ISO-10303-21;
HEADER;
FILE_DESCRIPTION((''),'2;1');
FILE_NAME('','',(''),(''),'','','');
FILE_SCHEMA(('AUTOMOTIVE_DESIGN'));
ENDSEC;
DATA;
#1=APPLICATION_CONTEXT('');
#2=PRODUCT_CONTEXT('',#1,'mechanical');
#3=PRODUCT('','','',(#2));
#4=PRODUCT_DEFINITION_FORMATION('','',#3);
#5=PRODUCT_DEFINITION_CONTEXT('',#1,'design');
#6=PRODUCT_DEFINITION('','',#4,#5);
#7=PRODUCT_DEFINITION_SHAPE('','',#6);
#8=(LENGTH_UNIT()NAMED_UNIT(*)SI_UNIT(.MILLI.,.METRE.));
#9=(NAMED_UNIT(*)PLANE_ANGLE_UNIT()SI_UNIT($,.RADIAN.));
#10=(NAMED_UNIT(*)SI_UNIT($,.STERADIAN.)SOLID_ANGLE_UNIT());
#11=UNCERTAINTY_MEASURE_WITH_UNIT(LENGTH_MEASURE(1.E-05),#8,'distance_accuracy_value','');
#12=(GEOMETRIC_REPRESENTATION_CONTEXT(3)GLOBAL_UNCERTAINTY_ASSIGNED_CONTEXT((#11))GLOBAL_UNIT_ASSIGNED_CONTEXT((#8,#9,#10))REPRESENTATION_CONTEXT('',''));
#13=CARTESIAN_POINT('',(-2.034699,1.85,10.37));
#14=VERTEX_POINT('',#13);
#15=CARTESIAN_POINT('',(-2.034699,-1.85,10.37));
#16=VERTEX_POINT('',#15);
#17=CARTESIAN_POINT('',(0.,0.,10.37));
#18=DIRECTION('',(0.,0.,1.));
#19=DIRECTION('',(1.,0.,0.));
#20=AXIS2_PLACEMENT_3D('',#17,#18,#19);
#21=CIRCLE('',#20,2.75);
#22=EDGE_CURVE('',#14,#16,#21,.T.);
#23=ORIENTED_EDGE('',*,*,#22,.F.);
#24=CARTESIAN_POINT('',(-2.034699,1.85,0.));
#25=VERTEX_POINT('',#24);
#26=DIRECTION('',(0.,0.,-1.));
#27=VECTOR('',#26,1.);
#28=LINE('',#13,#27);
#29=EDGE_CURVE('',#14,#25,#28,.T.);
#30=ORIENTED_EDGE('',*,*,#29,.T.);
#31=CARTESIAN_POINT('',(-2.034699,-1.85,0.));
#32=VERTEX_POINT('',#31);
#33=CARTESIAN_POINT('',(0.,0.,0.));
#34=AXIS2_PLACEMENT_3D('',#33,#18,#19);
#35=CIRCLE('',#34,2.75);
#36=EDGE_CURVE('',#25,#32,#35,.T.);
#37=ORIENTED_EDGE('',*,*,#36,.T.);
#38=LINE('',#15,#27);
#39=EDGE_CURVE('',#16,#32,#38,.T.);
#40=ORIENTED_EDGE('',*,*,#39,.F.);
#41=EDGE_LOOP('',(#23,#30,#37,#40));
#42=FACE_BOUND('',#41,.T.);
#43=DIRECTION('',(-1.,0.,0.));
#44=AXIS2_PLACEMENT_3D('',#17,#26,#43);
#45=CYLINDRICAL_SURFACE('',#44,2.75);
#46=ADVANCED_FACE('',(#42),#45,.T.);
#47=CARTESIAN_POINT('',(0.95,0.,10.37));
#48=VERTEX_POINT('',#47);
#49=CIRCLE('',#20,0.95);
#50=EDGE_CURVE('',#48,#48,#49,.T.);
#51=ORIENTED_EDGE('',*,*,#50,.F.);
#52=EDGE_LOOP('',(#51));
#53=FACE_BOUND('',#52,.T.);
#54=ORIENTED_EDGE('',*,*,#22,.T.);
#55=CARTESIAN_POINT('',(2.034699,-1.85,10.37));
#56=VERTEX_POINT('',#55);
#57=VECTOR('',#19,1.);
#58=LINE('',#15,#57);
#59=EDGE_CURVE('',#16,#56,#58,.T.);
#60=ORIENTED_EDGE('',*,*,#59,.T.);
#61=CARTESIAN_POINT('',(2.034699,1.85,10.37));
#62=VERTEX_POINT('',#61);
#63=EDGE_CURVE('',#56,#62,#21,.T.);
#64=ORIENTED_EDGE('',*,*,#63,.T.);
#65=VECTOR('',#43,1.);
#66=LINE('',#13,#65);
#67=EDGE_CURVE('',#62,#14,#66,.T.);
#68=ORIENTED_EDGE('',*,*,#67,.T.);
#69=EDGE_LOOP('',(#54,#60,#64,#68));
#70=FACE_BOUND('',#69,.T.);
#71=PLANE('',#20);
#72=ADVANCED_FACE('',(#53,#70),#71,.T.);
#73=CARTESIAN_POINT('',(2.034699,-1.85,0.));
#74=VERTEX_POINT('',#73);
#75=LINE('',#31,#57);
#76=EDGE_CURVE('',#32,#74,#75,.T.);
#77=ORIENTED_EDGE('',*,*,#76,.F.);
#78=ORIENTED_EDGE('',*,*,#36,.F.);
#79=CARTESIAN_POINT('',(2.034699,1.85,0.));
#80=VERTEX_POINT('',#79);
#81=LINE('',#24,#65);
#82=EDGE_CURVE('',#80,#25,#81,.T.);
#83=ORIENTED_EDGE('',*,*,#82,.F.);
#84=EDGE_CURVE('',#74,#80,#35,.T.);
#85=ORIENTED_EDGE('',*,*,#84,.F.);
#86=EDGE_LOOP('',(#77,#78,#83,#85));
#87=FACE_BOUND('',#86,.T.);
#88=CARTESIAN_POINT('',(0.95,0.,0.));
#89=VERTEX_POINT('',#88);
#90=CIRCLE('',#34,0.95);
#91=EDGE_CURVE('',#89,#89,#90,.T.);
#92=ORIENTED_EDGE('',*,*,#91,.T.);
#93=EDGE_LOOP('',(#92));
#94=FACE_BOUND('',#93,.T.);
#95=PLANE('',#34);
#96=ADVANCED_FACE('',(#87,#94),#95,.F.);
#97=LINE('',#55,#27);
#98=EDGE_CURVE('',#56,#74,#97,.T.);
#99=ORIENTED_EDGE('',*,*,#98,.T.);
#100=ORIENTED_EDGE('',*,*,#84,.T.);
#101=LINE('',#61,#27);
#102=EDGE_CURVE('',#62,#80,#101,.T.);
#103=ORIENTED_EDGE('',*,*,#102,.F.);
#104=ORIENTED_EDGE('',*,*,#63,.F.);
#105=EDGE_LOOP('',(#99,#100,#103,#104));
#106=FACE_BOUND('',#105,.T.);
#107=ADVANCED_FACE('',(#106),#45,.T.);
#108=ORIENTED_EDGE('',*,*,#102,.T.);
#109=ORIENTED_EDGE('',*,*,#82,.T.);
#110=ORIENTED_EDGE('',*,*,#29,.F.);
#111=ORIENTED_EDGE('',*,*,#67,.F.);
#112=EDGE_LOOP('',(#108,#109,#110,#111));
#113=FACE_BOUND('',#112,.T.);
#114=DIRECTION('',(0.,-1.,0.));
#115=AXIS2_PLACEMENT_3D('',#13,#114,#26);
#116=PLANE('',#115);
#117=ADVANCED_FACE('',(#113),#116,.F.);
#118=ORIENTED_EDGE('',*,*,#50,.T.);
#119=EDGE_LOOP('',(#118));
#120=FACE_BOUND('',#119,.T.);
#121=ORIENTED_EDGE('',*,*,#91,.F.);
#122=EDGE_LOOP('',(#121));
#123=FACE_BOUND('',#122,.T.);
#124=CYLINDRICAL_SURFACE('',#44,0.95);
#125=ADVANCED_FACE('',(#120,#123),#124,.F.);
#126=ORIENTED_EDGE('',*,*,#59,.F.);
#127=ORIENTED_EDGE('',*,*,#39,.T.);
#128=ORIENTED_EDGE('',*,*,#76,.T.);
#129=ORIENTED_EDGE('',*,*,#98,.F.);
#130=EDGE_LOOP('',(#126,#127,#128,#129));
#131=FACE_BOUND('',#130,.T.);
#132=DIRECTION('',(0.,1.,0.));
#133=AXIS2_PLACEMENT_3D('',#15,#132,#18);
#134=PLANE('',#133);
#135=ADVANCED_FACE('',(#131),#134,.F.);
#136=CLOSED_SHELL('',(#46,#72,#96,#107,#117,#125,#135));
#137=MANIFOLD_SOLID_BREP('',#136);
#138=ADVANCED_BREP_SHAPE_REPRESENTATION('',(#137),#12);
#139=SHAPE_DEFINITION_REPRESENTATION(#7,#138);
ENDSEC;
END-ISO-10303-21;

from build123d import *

# Parameters (mm, degrees)
SKETCH1_R           = 0.95
BOSS_EXTRUDE1_DEPTH = 10.370000088


with BuildPart() as part:
    # Sketch1 → Boss-Extrude1 (new body)
    with BuildSketch(Plane.XY):
        with BuildLine():
            Line((-2.034698995, 1.85), (2.034698995, 1.85))
            ThreePointArc((2.034698995, 1.85), (2.75, 0), (2.034698995, -1.85))
            Line((2.034698995, -1.85), (-2.034698995, -1.85))
            ThreePointArc((-2.034698995, -1.85), (-2.75, 0), (-2.034698995, 1.85))
        make_face()
        Circle(SKETCH1_R, mode=Mode.SUBTRACT)
    extrude(amount=BOSS_EXTRUDE1_DEPTH)


solid = part.part
